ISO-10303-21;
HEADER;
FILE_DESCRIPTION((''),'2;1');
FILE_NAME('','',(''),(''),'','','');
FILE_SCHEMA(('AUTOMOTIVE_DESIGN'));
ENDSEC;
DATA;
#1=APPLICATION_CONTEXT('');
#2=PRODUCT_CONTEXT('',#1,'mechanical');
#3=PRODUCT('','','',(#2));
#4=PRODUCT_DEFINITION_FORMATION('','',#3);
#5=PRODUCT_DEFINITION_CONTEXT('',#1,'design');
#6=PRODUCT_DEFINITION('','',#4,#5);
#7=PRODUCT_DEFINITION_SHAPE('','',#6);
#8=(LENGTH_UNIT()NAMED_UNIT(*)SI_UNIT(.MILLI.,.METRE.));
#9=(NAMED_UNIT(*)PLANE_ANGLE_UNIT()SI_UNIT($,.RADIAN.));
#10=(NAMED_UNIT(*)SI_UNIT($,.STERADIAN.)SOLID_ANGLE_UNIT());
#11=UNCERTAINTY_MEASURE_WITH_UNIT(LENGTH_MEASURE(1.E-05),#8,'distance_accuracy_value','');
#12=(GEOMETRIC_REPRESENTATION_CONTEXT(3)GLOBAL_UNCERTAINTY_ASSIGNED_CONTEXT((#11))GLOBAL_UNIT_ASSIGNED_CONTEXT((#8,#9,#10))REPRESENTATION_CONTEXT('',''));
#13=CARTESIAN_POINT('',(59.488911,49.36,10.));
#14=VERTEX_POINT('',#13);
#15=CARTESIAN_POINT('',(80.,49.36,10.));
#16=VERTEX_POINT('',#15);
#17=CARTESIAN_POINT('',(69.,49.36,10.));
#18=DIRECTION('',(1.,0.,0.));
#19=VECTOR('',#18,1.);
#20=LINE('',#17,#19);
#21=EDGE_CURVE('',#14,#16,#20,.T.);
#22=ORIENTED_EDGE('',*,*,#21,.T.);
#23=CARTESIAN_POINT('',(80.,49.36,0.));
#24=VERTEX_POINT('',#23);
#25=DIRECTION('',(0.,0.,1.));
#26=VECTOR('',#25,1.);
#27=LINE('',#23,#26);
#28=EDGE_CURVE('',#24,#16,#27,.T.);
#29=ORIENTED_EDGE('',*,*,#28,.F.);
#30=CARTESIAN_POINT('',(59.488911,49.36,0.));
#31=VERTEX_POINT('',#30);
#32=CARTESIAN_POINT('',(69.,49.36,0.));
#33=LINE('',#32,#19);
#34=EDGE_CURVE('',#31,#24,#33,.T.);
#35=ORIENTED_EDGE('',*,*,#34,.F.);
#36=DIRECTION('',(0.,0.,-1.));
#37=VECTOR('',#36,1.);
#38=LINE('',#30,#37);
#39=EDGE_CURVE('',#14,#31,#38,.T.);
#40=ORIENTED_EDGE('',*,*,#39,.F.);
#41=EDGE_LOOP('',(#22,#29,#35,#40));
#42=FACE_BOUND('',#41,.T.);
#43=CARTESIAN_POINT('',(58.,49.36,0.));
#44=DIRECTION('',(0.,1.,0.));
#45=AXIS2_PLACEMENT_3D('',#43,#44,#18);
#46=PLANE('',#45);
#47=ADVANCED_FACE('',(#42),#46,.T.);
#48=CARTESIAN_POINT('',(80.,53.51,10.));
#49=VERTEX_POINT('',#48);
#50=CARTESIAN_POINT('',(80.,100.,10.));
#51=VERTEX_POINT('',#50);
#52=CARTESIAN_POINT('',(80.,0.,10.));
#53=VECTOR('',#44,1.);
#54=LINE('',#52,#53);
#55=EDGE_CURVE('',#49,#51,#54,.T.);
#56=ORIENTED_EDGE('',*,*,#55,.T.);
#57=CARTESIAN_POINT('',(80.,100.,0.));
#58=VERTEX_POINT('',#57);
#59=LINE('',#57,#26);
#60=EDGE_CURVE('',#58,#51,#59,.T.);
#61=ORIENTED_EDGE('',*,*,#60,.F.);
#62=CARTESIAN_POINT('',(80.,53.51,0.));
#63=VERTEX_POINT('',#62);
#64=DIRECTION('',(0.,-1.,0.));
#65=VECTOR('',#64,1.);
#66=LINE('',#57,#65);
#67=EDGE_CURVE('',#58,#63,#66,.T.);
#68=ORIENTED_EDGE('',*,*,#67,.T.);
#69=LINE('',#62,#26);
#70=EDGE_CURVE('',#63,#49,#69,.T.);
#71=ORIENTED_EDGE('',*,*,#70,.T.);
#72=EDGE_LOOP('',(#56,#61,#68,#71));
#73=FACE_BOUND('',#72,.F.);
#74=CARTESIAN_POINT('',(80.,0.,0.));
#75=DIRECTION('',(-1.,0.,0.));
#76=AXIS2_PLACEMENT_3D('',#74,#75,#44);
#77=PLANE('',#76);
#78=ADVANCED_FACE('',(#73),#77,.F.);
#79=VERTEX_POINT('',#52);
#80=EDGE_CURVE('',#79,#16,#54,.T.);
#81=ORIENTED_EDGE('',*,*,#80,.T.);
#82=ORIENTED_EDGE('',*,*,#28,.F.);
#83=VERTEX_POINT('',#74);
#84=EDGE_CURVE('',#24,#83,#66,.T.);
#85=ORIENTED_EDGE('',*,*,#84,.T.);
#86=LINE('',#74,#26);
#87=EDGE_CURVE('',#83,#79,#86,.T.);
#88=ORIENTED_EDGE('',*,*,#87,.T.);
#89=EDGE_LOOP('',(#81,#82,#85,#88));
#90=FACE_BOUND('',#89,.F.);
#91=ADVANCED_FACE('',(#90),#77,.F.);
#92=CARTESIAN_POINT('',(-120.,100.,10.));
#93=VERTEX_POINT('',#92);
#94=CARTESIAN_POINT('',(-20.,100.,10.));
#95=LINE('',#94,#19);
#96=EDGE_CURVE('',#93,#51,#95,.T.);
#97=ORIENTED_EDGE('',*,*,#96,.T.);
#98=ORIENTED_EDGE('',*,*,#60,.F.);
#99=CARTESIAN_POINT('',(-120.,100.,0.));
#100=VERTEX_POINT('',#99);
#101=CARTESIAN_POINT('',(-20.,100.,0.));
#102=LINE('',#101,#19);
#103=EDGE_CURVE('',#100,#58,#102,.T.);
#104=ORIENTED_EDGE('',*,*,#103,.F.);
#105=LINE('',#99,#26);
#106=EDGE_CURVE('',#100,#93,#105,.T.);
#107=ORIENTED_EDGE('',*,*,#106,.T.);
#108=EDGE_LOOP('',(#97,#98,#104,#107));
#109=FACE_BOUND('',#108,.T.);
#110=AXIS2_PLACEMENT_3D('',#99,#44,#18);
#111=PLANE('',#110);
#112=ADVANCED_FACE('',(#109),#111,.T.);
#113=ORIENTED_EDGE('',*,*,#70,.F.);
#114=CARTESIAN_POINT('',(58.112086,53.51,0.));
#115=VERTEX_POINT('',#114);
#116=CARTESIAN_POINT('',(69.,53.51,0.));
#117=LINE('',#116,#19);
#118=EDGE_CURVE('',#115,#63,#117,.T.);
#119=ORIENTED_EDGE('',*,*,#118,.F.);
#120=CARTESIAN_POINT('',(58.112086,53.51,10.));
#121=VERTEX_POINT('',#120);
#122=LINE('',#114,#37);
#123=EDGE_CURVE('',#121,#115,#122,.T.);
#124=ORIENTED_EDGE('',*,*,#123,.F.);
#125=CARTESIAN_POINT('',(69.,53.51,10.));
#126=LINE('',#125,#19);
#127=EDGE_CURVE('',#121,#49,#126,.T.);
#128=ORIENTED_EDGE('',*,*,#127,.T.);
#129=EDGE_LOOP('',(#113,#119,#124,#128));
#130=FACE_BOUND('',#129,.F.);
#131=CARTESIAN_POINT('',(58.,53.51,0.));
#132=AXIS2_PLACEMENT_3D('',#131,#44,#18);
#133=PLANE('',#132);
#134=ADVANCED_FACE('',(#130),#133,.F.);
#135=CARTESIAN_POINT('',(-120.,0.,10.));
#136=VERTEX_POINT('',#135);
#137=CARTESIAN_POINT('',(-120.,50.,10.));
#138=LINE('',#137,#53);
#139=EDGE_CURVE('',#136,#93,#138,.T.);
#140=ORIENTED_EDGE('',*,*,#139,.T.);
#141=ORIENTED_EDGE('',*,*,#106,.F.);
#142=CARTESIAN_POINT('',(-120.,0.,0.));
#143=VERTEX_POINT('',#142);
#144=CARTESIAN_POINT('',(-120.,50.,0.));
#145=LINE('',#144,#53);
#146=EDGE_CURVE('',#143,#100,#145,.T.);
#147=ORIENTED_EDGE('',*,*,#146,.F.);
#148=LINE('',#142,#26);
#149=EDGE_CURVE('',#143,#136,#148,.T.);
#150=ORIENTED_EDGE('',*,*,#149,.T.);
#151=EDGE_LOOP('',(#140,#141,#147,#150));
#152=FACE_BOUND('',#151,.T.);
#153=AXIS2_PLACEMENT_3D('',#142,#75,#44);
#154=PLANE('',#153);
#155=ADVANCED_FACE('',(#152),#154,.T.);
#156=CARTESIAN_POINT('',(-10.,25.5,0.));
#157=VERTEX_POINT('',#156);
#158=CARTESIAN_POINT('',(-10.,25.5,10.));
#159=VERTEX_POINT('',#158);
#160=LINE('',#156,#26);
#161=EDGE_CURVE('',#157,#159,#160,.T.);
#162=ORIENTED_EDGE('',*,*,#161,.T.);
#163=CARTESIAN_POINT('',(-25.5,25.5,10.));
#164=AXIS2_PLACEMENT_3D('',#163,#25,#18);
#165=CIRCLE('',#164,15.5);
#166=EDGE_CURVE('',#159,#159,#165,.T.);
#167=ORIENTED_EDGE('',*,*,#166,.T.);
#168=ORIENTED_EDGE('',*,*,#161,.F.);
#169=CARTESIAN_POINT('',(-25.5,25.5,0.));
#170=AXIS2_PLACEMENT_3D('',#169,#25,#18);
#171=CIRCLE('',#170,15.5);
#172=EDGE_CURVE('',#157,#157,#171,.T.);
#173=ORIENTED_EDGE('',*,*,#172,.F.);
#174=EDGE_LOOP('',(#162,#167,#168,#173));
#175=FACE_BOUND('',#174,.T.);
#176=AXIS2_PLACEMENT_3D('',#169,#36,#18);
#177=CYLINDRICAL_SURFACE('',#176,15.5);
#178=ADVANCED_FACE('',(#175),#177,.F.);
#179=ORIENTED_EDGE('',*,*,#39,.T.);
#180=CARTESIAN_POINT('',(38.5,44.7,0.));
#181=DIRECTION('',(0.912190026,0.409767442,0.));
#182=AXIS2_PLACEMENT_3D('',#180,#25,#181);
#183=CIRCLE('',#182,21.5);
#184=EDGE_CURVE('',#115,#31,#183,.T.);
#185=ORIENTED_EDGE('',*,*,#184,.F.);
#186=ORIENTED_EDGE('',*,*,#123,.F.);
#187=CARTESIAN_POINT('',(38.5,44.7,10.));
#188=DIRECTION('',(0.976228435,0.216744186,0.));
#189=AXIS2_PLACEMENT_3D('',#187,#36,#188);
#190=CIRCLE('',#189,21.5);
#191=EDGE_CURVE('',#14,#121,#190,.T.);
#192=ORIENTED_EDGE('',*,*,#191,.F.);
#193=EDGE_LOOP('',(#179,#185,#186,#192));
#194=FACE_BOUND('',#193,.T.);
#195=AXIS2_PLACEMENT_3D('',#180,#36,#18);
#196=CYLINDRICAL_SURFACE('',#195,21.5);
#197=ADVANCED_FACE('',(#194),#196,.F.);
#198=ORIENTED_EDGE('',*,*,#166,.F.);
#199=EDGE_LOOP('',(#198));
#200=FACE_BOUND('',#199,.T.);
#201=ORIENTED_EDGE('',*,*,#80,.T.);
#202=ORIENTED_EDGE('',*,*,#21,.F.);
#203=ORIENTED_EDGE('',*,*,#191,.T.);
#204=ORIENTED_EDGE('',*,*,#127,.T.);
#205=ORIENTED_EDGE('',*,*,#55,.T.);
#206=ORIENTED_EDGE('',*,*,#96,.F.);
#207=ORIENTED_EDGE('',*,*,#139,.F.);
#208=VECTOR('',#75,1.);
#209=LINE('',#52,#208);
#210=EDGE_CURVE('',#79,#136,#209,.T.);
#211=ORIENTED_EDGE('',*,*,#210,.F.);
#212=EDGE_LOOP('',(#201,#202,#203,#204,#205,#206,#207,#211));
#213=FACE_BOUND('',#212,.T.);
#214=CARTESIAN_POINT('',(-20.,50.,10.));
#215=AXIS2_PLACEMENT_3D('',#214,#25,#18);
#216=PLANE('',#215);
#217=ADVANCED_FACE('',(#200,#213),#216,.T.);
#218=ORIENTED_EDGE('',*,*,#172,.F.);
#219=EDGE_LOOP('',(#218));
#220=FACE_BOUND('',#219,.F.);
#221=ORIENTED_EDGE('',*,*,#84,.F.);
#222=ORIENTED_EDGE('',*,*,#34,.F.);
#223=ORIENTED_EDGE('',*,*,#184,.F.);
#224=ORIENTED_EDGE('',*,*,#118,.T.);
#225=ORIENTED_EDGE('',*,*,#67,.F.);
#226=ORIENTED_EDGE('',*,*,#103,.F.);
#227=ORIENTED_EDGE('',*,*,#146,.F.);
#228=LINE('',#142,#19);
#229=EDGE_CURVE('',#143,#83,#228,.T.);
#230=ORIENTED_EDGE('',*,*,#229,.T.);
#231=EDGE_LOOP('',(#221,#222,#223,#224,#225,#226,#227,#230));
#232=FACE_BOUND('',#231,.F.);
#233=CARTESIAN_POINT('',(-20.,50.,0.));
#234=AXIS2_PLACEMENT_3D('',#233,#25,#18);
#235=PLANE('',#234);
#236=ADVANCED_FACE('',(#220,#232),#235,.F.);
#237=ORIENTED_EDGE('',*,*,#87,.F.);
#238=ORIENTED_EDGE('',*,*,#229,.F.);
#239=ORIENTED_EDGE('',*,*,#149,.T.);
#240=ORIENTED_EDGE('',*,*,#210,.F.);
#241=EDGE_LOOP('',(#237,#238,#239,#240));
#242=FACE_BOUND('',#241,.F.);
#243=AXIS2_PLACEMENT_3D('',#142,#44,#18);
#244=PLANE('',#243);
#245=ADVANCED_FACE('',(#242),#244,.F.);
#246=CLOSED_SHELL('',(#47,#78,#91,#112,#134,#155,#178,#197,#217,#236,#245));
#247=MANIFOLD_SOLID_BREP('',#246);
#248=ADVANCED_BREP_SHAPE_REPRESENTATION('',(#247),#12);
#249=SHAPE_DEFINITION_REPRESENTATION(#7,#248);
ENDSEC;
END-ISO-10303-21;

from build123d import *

# Parameters (mm, degrees)
BOX002_W          = 22
BOX002_H          = 4.15
BOX002_DEPTH      = 10
CYLINDER002_R     = 15.5
CYLINDER002_DEPTH = 10
CYLINDER001_R     = 21.5
CYLINDER001_DEPTH = 10
BOX001_W          = 200
BOX001_H          = 100
BOX001_DEPTH      = 10
CYLINDER_R        = 21.5
CYLINDER_DEPTH    = 10
BOX_W             = 80
BOX_H             = 80
BOX_DEPTH         = 10


with BuildPart() as cube:
    # Box002 → Box002 (new body)
    with BuildSketch(Plane(origin=(58, 49.36, 0), x_dir=(1, 0, 0), z_dir=(0, 0, 1))):
        with Locations((11, 2.075)):
            Rectangle(BOX002_W, BOX002_H)
    extrude(amount=BOX002_DEPTH)


with BuildPart() as cylinder002:
    # Cylinder002 → Cylinder002 (new body)
    with BuildSketch(Plane(origin=(-25.5, 25.5, 0), x_dir=(1, 0, 0), z_dir=(0, 0, 1))):
        Circle(CYLINDER002_R)
    extrude(amount=CYLINDER002_DEPTH)


with BuildPart() as cylinder001:
    # Cylinder001 → Cylinder001 (new body)
    with BuildSketch(Plane(origin=(38.5, 44.7, 0), x_dir=(1, 0, 0), z_dir=(0, 0, 1))):
        Circle(CYLINDER001_R)
    extrude(amount=CYLINDER001_DEPTH)


with BuildPart() as cut001:
    # Box001 → Box001 (new body)
    with BuildSketch(Plane(origin=(-120, 0, 0), x_dir=(1, 0, 0), z_dir=(0, 0, 1))):
        with Locations((100, 50)):
            Rectangle(BOX001_W, BOX001_H)
    extrude(amount=BOX001_DEPTH)

    # Cut001: cut Cylinder001
    add(cylinder001.part, mode=Mode.SUBTRACT)


with BuildPart() as cylinder:
    # Cylinder → Cylinder (new body)
    with BuildSketch(Plane(origin=(38.5, 44.7, 0), x_dir=(1, 0, 0), z_dir=(0, 0, 1))):
        Circle(CYLINDER_R)
    extrude(amount=CYLINDER_DEPTH)


with BuildPart() as cut003:
    # Box → Box (new body)
    with BuildSketch(Plane.XY):
        with Locations((40, 40)):
            Rectangle(BOX_W, BOX_H)
    extrude(amount=BOX_DEPTH)

    # Cut: cut Cylinder
    add(cylinder.part, mode=Mode.SUBTRACT)

    # Fusion: union Cut001
    add(cut001.part)

    # Cut002: cut Cylinder002
    add(cylinder002.part, mode=Mode.SUBTRACT)

    # Cut003: cut Cube
    add(cube.part, mode=Mode.SUBTRACT)


solid = cut003.part
